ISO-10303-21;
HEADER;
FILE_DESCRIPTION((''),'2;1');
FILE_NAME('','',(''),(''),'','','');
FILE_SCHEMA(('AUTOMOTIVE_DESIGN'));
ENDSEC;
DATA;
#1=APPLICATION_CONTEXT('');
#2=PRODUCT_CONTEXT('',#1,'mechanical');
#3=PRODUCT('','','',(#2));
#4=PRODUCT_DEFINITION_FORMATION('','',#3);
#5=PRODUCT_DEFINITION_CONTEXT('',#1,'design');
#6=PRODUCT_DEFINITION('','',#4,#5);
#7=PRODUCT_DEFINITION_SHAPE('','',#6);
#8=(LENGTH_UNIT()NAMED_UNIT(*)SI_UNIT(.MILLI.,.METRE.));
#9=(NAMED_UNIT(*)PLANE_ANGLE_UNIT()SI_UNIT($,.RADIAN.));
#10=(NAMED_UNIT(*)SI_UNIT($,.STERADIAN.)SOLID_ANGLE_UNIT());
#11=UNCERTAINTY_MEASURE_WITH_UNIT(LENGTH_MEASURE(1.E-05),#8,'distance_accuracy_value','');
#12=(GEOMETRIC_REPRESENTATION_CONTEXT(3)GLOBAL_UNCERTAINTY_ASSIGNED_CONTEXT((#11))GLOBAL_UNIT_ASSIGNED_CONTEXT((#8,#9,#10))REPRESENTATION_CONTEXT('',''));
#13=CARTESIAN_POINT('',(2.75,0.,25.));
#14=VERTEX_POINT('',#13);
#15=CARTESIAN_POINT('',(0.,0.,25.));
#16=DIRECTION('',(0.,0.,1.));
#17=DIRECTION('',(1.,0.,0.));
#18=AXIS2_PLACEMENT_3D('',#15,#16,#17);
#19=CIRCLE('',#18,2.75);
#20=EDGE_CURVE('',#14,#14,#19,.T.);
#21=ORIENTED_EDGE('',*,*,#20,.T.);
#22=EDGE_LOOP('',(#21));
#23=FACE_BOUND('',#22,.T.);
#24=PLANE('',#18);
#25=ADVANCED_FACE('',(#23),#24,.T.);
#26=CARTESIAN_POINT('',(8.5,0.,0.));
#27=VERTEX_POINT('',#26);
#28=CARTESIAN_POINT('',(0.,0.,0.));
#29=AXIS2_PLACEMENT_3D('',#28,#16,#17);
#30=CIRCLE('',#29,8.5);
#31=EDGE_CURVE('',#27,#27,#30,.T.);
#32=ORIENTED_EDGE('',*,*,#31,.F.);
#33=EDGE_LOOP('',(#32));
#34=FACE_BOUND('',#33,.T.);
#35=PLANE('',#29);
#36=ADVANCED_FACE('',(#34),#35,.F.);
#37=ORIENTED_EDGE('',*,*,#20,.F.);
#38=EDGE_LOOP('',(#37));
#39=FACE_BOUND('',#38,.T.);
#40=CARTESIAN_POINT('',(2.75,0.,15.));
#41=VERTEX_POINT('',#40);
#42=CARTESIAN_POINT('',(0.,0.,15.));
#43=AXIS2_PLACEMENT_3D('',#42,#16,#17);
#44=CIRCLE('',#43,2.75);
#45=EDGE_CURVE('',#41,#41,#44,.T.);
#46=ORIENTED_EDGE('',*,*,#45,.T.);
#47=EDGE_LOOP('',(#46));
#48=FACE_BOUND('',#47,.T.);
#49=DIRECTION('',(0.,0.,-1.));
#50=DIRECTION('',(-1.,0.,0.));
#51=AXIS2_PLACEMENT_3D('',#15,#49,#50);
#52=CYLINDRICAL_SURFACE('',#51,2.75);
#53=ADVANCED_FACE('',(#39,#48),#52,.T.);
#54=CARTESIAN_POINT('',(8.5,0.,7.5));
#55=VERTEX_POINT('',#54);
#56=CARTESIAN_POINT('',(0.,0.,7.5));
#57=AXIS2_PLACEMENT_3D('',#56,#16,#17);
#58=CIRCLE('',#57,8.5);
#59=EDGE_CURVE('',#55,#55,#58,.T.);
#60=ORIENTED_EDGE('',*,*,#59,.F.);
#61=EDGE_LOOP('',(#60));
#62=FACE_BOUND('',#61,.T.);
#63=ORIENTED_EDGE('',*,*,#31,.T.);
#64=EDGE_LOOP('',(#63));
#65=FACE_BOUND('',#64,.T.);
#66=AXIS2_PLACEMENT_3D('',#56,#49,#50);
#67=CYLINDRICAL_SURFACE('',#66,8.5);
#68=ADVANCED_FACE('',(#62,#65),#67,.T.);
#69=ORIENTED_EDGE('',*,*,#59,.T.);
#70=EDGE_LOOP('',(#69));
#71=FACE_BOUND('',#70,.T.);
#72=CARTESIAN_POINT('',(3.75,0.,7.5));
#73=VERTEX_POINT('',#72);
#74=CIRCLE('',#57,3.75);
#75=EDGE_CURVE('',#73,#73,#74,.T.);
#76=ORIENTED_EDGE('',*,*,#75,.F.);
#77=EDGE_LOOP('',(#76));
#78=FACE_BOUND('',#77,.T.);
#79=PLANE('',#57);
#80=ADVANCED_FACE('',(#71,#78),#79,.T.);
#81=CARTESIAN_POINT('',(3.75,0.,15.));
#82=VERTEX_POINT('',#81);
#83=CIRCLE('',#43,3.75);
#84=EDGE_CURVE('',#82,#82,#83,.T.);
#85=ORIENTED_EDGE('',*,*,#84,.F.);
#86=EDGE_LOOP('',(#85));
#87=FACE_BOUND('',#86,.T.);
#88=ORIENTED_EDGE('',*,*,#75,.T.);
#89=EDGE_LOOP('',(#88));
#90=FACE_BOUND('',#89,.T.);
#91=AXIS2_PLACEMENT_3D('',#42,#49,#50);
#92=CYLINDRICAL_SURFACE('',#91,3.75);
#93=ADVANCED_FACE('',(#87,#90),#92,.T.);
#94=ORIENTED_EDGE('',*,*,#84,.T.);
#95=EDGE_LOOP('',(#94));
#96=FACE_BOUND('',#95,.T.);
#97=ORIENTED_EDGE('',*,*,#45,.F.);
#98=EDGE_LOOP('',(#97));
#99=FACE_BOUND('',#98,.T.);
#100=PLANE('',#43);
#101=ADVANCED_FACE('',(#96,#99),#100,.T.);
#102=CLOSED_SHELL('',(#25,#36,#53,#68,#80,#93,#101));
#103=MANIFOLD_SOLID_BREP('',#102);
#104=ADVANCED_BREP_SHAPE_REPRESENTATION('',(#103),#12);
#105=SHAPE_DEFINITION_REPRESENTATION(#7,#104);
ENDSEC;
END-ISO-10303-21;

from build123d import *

# Parameters (mm, degrees)
ESQUISSE1_R        = 8.5
BOSS_EXTRU_1_DEPTH = 7.5
ESQUISSE2_R        = 3.75
BOSS_EXTRU_2_DEPTH = 7.5
ESQUISSE3_R        = 2.75
BOSS_EXTRU_3_DEPTH = 10


with BuildPart() as part:
    # Esquisse1 → Boss.-Extru.1 (new body)
    with BuildSketch(Plane.XY):
        Circle(ESQUISSE1_R)
    extrude(amount=BOSS_EXTRU_1_DEPTH)

    # Esquisse2 → Boss.-Extru.2 (add)
    with BuildSketch(Plane.XY.offset(7.5)):
        Circle(ESQUISSE2_R)
    extrude(amount=BOSS_EXTRU_2_DEPTH)

    # Esquisse3 → Boss.-Extru.3 (add)
    with BuildSketch(Plane.XY.offset(15)):
        Circle(ESQUISSE3_R)
    extrude(amount=BOSS_EXTRU_3_DEPTH)


solid = part.part
